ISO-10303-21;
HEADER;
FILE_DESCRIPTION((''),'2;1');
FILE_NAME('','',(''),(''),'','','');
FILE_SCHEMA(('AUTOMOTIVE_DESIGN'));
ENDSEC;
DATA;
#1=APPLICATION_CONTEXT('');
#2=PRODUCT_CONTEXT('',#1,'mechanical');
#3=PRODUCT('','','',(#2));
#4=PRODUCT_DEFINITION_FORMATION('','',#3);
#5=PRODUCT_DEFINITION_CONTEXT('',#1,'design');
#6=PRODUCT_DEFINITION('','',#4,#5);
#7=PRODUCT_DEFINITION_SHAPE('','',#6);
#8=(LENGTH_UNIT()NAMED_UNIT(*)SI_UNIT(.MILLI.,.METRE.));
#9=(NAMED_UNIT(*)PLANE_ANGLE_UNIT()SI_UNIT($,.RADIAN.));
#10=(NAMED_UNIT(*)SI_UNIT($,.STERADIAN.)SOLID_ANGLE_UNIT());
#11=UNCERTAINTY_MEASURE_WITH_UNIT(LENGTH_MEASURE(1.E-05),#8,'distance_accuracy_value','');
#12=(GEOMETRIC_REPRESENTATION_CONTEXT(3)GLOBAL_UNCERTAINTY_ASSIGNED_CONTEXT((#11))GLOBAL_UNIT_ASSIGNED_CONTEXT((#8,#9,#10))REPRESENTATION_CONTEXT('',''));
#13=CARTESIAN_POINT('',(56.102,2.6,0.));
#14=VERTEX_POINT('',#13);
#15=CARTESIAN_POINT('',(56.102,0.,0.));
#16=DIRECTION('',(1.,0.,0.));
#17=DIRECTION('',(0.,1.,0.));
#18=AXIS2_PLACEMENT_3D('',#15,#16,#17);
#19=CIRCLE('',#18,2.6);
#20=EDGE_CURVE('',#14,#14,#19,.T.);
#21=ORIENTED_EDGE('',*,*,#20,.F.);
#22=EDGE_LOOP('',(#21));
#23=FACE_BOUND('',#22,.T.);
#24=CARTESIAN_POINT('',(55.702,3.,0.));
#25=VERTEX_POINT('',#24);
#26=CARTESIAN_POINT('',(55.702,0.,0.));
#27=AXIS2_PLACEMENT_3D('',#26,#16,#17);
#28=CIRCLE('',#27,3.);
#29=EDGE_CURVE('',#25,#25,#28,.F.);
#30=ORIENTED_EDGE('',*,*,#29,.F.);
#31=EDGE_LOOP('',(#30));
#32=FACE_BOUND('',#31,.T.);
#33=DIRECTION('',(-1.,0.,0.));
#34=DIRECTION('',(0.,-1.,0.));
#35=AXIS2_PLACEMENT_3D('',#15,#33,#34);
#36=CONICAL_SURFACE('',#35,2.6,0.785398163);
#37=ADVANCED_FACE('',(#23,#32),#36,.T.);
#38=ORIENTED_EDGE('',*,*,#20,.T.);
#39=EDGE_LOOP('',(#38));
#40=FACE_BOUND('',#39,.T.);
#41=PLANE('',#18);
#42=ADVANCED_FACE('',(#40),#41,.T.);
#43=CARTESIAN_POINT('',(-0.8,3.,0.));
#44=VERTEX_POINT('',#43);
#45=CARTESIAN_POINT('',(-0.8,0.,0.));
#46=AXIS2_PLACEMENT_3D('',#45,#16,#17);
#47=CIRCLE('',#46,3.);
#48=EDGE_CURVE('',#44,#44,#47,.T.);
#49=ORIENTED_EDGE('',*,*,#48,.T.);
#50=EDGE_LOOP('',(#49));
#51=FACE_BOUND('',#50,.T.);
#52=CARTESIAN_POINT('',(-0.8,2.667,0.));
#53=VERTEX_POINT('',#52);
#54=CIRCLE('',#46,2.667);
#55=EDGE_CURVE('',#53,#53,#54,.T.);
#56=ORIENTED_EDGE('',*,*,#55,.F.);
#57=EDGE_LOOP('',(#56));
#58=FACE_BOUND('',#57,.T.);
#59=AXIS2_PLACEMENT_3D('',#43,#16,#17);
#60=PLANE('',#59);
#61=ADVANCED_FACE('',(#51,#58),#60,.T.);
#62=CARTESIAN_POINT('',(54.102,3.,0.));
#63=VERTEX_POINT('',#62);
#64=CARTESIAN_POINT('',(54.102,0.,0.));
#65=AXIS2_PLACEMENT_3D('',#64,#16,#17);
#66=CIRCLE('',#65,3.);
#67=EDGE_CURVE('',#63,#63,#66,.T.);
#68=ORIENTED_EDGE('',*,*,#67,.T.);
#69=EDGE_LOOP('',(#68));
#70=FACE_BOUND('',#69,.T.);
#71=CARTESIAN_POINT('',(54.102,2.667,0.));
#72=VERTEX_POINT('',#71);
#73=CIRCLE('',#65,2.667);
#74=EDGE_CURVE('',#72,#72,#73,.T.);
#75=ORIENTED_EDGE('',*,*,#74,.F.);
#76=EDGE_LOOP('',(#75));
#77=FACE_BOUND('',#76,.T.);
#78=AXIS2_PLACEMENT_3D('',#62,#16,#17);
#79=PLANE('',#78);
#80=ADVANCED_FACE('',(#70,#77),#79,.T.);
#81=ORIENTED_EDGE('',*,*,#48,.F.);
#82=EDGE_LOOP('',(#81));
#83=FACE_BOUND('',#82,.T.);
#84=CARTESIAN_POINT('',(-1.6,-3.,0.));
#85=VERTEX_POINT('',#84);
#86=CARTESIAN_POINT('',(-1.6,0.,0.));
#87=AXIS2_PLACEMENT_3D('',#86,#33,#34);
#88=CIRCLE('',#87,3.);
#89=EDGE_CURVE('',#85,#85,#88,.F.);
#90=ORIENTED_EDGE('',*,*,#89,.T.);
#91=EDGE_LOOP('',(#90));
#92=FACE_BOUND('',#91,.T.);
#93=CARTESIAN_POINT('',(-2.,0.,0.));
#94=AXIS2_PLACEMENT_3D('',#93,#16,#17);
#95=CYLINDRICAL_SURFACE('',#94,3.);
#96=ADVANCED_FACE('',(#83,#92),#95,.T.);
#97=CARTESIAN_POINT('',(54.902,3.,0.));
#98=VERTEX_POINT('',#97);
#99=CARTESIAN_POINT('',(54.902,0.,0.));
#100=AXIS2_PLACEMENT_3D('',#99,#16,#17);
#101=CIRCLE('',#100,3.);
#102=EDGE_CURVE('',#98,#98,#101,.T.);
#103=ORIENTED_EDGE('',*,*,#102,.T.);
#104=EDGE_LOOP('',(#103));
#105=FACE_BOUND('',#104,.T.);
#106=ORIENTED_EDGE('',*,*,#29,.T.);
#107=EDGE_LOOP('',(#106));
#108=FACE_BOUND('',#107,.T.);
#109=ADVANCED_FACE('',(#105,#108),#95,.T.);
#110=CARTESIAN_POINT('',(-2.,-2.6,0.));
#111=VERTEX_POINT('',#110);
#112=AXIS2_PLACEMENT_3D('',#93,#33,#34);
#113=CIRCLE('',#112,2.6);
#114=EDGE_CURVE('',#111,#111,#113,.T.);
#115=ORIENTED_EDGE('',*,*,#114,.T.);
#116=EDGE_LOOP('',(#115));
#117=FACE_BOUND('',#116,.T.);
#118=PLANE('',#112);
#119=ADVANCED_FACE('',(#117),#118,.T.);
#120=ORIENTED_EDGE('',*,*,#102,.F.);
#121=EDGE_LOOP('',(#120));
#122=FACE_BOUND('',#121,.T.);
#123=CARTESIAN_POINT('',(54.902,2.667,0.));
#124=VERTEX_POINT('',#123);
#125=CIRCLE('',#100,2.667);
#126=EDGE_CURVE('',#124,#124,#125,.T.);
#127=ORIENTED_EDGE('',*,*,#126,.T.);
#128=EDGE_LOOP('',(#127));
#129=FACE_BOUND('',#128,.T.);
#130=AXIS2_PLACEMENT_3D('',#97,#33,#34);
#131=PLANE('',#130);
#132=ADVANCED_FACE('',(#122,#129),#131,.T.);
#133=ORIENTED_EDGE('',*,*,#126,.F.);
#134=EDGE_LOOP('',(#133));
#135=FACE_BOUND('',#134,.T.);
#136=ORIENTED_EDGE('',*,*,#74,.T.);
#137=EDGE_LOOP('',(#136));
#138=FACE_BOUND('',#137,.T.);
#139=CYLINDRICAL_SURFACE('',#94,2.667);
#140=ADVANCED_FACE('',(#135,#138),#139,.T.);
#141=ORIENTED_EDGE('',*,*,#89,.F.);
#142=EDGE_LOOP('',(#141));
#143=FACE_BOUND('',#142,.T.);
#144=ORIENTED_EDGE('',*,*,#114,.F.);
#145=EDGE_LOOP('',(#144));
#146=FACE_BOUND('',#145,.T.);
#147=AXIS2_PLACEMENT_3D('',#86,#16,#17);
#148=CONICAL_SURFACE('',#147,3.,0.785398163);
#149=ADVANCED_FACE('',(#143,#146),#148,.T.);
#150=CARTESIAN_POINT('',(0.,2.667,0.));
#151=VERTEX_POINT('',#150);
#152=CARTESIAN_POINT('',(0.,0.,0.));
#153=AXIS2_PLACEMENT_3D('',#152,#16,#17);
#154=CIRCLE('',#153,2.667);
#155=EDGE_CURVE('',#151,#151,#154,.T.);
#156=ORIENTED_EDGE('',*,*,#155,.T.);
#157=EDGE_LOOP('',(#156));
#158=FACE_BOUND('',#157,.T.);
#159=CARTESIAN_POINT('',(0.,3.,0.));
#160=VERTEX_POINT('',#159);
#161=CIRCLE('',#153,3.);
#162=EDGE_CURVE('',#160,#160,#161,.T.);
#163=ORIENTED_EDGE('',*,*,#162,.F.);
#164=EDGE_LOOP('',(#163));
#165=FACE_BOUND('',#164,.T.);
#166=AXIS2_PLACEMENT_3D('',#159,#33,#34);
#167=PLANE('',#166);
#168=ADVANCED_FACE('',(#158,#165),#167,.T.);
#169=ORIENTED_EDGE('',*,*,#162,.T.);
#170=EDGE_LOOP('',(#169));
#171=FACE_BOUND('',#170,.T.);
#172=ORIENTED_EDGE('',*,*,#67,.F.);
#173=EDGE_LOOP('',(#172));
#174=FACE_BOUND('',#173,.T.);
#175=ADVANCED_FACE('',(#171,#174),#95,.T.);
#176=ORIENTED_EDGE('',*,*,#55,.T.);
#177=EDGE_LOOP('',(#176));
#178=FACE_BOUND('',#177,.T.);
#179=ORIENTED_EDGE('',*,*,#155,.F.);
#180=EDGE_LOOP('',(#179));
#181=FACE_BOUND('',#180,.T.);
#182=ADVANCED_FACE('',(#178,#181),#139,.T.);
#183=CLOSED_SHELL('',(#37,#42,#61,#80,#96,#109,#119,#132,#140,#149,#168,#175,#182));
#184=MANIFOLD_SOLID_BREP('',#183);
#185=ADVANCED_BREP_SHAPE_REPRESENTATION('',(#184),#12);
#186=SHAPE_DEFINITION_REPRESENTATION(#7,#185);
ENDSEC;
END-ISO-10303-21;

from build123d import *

# Parameters (mm, degrees)
CHAMFER1_SIZE = 0.4


with BuildPart() as part:
    # Sketch1 → Revolve1 (revolve)
    with BuildSketch(Plane.XY):
        Polygon((-2, 0), (56.102, 0), (56.102, 3), (54.902, 3), (54.902, 2.667), (54.102, 2.667), (54.102, 3), (0, 3), (0, 2.667), (-0.8, 2.667), (-0.8, 3), (-2, 3), align=None)
    revolve(axis=Axis((-2, 0, 0), (-1, 0, 0)))

    # Chamfer1
    chamfer1_edges = [part.edges().sort_by_distance(p)[0] for p in [
        (-2, -3, 0),
        (56.102, -3, 0),
    ]]
    chamfer(chamfer1_edges, length=CHAMFER1_SIZE)


solid = part.part
